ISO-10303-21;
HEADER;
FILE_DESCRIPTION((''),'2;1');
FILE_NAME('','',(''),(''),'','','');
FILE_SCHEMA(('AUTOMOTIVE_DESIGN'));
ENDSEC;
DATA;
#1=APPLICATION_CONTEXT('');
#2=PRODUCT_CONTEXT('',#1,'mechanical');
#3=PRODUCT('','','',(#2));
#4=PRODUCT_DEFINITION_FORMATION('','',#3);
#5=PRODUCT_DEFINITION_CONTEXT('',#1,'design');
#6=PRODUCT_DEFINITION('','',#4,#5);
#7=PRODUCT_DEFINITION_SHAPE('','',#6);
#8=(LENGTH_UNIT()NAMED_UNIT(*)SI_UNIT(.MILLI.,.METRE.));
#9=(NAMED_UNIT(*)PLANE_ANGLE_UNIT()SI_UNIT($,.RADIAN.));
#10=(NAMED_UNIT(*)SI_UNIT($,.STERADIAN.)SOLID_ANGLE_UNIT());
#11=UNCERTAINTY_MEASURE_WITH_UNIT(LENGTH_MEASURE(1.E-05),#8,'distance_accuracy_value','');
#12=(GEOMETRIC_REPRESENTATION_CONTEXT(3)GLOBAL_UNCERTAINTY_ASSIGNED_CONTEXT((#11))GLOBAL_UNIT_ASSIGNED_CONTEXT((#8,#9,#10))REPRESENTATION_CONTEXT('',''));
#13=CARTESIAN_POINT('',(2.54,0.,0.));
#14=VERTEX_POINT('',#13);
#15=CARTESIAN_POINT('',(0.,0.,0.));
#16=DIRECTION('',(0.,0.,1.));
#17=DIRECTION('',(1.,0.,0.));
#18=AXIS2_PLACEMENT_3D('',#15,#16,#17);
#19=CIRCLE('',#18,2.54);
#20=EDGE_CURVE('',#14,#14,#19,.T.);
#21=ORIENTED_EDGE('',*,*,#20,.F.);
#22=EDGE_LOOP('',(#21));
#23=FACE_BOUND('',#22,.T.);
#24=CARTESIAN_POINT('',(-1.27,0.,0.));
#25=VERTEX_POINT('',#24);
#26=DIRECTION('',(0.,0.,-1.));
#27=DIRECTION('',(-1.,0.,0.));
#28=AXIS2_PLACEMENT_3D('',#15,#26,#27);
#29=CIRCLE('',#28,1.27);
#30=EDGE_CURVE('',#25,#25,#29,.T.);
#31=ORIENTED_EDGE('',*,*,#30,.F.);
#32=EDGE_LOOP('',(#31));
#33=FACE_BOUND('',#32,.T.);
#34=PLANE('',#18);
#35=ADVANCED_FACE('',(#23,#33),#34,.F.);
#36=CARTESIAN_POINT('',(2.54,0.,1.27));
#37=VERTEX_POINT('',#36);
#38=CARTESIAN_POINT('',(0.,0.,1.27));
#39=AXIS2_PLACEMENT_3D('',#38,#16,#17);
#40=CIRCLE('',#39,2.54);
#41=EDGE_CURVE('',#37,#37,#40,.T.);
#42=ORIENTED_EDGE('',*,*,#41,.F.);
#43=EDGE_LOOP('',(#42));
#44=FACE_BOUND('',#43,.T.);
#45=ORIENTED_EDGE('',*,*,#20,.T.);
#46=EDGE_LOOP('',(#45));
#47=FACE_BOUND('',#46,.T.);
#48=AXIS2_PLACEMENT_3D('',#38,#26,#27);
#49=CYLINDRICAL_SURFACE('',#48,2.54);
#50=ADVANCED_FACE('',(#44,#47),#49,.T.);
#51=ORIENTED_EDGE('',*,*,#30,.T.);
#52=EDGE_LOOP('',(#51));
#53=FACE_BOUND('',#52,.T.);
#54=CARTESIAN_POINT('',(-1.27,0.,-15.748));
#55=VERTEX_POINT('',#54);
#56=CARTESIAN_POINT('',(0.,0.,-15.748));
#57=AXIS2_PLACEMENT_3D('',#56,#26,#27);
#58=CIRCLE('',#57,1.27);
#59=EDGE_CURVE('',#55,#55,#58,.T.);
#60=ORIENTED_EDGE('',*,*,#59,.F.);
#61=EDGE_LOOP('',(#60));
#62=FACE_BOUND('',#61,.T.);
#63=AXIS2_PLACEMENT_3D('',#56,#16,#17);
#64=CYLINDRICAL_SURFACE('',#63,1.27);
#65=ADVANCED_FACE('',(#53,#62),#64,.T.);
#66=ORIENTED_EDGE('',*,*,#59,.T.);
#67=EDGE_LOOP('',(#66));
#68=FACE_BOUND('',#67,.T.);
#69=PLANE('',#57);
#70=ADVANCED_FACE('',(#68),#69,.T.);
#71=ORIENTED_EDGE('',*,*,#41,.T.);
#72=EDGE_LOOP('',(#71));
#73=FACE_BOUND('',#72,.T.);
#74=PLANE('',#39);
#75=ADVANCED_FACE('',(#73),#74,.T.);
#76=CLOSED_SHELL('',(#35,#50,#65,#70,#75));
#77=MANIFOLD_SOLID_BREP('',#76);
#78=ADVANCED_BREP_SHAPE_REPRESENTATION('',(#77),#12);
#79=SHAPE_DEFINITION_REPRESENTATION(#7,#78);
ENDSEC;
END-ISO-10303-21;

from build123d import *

# Parameters (mm, degrees)
SKETCH1_R           = 2.54
BOSS_EXTRUDE1_DEPTH = 1.27
SKETCH2_R           = 1.27
BOSS_EXTRUDE2_DEPTH = 15.748


with BuildPart() as part:
    # Sketch1 → Boss-Extrude1 (new body)
    with BuildSketch(Plane.XY):
        Circle(SKETCH1_R)
    extrude(amount=BOSS_EXTRUDE1_DEPTH)

    # Sketch2 → Boss-Extrude2 (add)
    with BuildSketch(Plane(origin=(0, 0, 0), x_dir=(-1, 0, 0), z_dir=(0, 0, -1))):
        Circle(SKETCH2_R)
    extrude(amount=BOSS_EXTRUDE2_DEPTH)


solid = part.part
